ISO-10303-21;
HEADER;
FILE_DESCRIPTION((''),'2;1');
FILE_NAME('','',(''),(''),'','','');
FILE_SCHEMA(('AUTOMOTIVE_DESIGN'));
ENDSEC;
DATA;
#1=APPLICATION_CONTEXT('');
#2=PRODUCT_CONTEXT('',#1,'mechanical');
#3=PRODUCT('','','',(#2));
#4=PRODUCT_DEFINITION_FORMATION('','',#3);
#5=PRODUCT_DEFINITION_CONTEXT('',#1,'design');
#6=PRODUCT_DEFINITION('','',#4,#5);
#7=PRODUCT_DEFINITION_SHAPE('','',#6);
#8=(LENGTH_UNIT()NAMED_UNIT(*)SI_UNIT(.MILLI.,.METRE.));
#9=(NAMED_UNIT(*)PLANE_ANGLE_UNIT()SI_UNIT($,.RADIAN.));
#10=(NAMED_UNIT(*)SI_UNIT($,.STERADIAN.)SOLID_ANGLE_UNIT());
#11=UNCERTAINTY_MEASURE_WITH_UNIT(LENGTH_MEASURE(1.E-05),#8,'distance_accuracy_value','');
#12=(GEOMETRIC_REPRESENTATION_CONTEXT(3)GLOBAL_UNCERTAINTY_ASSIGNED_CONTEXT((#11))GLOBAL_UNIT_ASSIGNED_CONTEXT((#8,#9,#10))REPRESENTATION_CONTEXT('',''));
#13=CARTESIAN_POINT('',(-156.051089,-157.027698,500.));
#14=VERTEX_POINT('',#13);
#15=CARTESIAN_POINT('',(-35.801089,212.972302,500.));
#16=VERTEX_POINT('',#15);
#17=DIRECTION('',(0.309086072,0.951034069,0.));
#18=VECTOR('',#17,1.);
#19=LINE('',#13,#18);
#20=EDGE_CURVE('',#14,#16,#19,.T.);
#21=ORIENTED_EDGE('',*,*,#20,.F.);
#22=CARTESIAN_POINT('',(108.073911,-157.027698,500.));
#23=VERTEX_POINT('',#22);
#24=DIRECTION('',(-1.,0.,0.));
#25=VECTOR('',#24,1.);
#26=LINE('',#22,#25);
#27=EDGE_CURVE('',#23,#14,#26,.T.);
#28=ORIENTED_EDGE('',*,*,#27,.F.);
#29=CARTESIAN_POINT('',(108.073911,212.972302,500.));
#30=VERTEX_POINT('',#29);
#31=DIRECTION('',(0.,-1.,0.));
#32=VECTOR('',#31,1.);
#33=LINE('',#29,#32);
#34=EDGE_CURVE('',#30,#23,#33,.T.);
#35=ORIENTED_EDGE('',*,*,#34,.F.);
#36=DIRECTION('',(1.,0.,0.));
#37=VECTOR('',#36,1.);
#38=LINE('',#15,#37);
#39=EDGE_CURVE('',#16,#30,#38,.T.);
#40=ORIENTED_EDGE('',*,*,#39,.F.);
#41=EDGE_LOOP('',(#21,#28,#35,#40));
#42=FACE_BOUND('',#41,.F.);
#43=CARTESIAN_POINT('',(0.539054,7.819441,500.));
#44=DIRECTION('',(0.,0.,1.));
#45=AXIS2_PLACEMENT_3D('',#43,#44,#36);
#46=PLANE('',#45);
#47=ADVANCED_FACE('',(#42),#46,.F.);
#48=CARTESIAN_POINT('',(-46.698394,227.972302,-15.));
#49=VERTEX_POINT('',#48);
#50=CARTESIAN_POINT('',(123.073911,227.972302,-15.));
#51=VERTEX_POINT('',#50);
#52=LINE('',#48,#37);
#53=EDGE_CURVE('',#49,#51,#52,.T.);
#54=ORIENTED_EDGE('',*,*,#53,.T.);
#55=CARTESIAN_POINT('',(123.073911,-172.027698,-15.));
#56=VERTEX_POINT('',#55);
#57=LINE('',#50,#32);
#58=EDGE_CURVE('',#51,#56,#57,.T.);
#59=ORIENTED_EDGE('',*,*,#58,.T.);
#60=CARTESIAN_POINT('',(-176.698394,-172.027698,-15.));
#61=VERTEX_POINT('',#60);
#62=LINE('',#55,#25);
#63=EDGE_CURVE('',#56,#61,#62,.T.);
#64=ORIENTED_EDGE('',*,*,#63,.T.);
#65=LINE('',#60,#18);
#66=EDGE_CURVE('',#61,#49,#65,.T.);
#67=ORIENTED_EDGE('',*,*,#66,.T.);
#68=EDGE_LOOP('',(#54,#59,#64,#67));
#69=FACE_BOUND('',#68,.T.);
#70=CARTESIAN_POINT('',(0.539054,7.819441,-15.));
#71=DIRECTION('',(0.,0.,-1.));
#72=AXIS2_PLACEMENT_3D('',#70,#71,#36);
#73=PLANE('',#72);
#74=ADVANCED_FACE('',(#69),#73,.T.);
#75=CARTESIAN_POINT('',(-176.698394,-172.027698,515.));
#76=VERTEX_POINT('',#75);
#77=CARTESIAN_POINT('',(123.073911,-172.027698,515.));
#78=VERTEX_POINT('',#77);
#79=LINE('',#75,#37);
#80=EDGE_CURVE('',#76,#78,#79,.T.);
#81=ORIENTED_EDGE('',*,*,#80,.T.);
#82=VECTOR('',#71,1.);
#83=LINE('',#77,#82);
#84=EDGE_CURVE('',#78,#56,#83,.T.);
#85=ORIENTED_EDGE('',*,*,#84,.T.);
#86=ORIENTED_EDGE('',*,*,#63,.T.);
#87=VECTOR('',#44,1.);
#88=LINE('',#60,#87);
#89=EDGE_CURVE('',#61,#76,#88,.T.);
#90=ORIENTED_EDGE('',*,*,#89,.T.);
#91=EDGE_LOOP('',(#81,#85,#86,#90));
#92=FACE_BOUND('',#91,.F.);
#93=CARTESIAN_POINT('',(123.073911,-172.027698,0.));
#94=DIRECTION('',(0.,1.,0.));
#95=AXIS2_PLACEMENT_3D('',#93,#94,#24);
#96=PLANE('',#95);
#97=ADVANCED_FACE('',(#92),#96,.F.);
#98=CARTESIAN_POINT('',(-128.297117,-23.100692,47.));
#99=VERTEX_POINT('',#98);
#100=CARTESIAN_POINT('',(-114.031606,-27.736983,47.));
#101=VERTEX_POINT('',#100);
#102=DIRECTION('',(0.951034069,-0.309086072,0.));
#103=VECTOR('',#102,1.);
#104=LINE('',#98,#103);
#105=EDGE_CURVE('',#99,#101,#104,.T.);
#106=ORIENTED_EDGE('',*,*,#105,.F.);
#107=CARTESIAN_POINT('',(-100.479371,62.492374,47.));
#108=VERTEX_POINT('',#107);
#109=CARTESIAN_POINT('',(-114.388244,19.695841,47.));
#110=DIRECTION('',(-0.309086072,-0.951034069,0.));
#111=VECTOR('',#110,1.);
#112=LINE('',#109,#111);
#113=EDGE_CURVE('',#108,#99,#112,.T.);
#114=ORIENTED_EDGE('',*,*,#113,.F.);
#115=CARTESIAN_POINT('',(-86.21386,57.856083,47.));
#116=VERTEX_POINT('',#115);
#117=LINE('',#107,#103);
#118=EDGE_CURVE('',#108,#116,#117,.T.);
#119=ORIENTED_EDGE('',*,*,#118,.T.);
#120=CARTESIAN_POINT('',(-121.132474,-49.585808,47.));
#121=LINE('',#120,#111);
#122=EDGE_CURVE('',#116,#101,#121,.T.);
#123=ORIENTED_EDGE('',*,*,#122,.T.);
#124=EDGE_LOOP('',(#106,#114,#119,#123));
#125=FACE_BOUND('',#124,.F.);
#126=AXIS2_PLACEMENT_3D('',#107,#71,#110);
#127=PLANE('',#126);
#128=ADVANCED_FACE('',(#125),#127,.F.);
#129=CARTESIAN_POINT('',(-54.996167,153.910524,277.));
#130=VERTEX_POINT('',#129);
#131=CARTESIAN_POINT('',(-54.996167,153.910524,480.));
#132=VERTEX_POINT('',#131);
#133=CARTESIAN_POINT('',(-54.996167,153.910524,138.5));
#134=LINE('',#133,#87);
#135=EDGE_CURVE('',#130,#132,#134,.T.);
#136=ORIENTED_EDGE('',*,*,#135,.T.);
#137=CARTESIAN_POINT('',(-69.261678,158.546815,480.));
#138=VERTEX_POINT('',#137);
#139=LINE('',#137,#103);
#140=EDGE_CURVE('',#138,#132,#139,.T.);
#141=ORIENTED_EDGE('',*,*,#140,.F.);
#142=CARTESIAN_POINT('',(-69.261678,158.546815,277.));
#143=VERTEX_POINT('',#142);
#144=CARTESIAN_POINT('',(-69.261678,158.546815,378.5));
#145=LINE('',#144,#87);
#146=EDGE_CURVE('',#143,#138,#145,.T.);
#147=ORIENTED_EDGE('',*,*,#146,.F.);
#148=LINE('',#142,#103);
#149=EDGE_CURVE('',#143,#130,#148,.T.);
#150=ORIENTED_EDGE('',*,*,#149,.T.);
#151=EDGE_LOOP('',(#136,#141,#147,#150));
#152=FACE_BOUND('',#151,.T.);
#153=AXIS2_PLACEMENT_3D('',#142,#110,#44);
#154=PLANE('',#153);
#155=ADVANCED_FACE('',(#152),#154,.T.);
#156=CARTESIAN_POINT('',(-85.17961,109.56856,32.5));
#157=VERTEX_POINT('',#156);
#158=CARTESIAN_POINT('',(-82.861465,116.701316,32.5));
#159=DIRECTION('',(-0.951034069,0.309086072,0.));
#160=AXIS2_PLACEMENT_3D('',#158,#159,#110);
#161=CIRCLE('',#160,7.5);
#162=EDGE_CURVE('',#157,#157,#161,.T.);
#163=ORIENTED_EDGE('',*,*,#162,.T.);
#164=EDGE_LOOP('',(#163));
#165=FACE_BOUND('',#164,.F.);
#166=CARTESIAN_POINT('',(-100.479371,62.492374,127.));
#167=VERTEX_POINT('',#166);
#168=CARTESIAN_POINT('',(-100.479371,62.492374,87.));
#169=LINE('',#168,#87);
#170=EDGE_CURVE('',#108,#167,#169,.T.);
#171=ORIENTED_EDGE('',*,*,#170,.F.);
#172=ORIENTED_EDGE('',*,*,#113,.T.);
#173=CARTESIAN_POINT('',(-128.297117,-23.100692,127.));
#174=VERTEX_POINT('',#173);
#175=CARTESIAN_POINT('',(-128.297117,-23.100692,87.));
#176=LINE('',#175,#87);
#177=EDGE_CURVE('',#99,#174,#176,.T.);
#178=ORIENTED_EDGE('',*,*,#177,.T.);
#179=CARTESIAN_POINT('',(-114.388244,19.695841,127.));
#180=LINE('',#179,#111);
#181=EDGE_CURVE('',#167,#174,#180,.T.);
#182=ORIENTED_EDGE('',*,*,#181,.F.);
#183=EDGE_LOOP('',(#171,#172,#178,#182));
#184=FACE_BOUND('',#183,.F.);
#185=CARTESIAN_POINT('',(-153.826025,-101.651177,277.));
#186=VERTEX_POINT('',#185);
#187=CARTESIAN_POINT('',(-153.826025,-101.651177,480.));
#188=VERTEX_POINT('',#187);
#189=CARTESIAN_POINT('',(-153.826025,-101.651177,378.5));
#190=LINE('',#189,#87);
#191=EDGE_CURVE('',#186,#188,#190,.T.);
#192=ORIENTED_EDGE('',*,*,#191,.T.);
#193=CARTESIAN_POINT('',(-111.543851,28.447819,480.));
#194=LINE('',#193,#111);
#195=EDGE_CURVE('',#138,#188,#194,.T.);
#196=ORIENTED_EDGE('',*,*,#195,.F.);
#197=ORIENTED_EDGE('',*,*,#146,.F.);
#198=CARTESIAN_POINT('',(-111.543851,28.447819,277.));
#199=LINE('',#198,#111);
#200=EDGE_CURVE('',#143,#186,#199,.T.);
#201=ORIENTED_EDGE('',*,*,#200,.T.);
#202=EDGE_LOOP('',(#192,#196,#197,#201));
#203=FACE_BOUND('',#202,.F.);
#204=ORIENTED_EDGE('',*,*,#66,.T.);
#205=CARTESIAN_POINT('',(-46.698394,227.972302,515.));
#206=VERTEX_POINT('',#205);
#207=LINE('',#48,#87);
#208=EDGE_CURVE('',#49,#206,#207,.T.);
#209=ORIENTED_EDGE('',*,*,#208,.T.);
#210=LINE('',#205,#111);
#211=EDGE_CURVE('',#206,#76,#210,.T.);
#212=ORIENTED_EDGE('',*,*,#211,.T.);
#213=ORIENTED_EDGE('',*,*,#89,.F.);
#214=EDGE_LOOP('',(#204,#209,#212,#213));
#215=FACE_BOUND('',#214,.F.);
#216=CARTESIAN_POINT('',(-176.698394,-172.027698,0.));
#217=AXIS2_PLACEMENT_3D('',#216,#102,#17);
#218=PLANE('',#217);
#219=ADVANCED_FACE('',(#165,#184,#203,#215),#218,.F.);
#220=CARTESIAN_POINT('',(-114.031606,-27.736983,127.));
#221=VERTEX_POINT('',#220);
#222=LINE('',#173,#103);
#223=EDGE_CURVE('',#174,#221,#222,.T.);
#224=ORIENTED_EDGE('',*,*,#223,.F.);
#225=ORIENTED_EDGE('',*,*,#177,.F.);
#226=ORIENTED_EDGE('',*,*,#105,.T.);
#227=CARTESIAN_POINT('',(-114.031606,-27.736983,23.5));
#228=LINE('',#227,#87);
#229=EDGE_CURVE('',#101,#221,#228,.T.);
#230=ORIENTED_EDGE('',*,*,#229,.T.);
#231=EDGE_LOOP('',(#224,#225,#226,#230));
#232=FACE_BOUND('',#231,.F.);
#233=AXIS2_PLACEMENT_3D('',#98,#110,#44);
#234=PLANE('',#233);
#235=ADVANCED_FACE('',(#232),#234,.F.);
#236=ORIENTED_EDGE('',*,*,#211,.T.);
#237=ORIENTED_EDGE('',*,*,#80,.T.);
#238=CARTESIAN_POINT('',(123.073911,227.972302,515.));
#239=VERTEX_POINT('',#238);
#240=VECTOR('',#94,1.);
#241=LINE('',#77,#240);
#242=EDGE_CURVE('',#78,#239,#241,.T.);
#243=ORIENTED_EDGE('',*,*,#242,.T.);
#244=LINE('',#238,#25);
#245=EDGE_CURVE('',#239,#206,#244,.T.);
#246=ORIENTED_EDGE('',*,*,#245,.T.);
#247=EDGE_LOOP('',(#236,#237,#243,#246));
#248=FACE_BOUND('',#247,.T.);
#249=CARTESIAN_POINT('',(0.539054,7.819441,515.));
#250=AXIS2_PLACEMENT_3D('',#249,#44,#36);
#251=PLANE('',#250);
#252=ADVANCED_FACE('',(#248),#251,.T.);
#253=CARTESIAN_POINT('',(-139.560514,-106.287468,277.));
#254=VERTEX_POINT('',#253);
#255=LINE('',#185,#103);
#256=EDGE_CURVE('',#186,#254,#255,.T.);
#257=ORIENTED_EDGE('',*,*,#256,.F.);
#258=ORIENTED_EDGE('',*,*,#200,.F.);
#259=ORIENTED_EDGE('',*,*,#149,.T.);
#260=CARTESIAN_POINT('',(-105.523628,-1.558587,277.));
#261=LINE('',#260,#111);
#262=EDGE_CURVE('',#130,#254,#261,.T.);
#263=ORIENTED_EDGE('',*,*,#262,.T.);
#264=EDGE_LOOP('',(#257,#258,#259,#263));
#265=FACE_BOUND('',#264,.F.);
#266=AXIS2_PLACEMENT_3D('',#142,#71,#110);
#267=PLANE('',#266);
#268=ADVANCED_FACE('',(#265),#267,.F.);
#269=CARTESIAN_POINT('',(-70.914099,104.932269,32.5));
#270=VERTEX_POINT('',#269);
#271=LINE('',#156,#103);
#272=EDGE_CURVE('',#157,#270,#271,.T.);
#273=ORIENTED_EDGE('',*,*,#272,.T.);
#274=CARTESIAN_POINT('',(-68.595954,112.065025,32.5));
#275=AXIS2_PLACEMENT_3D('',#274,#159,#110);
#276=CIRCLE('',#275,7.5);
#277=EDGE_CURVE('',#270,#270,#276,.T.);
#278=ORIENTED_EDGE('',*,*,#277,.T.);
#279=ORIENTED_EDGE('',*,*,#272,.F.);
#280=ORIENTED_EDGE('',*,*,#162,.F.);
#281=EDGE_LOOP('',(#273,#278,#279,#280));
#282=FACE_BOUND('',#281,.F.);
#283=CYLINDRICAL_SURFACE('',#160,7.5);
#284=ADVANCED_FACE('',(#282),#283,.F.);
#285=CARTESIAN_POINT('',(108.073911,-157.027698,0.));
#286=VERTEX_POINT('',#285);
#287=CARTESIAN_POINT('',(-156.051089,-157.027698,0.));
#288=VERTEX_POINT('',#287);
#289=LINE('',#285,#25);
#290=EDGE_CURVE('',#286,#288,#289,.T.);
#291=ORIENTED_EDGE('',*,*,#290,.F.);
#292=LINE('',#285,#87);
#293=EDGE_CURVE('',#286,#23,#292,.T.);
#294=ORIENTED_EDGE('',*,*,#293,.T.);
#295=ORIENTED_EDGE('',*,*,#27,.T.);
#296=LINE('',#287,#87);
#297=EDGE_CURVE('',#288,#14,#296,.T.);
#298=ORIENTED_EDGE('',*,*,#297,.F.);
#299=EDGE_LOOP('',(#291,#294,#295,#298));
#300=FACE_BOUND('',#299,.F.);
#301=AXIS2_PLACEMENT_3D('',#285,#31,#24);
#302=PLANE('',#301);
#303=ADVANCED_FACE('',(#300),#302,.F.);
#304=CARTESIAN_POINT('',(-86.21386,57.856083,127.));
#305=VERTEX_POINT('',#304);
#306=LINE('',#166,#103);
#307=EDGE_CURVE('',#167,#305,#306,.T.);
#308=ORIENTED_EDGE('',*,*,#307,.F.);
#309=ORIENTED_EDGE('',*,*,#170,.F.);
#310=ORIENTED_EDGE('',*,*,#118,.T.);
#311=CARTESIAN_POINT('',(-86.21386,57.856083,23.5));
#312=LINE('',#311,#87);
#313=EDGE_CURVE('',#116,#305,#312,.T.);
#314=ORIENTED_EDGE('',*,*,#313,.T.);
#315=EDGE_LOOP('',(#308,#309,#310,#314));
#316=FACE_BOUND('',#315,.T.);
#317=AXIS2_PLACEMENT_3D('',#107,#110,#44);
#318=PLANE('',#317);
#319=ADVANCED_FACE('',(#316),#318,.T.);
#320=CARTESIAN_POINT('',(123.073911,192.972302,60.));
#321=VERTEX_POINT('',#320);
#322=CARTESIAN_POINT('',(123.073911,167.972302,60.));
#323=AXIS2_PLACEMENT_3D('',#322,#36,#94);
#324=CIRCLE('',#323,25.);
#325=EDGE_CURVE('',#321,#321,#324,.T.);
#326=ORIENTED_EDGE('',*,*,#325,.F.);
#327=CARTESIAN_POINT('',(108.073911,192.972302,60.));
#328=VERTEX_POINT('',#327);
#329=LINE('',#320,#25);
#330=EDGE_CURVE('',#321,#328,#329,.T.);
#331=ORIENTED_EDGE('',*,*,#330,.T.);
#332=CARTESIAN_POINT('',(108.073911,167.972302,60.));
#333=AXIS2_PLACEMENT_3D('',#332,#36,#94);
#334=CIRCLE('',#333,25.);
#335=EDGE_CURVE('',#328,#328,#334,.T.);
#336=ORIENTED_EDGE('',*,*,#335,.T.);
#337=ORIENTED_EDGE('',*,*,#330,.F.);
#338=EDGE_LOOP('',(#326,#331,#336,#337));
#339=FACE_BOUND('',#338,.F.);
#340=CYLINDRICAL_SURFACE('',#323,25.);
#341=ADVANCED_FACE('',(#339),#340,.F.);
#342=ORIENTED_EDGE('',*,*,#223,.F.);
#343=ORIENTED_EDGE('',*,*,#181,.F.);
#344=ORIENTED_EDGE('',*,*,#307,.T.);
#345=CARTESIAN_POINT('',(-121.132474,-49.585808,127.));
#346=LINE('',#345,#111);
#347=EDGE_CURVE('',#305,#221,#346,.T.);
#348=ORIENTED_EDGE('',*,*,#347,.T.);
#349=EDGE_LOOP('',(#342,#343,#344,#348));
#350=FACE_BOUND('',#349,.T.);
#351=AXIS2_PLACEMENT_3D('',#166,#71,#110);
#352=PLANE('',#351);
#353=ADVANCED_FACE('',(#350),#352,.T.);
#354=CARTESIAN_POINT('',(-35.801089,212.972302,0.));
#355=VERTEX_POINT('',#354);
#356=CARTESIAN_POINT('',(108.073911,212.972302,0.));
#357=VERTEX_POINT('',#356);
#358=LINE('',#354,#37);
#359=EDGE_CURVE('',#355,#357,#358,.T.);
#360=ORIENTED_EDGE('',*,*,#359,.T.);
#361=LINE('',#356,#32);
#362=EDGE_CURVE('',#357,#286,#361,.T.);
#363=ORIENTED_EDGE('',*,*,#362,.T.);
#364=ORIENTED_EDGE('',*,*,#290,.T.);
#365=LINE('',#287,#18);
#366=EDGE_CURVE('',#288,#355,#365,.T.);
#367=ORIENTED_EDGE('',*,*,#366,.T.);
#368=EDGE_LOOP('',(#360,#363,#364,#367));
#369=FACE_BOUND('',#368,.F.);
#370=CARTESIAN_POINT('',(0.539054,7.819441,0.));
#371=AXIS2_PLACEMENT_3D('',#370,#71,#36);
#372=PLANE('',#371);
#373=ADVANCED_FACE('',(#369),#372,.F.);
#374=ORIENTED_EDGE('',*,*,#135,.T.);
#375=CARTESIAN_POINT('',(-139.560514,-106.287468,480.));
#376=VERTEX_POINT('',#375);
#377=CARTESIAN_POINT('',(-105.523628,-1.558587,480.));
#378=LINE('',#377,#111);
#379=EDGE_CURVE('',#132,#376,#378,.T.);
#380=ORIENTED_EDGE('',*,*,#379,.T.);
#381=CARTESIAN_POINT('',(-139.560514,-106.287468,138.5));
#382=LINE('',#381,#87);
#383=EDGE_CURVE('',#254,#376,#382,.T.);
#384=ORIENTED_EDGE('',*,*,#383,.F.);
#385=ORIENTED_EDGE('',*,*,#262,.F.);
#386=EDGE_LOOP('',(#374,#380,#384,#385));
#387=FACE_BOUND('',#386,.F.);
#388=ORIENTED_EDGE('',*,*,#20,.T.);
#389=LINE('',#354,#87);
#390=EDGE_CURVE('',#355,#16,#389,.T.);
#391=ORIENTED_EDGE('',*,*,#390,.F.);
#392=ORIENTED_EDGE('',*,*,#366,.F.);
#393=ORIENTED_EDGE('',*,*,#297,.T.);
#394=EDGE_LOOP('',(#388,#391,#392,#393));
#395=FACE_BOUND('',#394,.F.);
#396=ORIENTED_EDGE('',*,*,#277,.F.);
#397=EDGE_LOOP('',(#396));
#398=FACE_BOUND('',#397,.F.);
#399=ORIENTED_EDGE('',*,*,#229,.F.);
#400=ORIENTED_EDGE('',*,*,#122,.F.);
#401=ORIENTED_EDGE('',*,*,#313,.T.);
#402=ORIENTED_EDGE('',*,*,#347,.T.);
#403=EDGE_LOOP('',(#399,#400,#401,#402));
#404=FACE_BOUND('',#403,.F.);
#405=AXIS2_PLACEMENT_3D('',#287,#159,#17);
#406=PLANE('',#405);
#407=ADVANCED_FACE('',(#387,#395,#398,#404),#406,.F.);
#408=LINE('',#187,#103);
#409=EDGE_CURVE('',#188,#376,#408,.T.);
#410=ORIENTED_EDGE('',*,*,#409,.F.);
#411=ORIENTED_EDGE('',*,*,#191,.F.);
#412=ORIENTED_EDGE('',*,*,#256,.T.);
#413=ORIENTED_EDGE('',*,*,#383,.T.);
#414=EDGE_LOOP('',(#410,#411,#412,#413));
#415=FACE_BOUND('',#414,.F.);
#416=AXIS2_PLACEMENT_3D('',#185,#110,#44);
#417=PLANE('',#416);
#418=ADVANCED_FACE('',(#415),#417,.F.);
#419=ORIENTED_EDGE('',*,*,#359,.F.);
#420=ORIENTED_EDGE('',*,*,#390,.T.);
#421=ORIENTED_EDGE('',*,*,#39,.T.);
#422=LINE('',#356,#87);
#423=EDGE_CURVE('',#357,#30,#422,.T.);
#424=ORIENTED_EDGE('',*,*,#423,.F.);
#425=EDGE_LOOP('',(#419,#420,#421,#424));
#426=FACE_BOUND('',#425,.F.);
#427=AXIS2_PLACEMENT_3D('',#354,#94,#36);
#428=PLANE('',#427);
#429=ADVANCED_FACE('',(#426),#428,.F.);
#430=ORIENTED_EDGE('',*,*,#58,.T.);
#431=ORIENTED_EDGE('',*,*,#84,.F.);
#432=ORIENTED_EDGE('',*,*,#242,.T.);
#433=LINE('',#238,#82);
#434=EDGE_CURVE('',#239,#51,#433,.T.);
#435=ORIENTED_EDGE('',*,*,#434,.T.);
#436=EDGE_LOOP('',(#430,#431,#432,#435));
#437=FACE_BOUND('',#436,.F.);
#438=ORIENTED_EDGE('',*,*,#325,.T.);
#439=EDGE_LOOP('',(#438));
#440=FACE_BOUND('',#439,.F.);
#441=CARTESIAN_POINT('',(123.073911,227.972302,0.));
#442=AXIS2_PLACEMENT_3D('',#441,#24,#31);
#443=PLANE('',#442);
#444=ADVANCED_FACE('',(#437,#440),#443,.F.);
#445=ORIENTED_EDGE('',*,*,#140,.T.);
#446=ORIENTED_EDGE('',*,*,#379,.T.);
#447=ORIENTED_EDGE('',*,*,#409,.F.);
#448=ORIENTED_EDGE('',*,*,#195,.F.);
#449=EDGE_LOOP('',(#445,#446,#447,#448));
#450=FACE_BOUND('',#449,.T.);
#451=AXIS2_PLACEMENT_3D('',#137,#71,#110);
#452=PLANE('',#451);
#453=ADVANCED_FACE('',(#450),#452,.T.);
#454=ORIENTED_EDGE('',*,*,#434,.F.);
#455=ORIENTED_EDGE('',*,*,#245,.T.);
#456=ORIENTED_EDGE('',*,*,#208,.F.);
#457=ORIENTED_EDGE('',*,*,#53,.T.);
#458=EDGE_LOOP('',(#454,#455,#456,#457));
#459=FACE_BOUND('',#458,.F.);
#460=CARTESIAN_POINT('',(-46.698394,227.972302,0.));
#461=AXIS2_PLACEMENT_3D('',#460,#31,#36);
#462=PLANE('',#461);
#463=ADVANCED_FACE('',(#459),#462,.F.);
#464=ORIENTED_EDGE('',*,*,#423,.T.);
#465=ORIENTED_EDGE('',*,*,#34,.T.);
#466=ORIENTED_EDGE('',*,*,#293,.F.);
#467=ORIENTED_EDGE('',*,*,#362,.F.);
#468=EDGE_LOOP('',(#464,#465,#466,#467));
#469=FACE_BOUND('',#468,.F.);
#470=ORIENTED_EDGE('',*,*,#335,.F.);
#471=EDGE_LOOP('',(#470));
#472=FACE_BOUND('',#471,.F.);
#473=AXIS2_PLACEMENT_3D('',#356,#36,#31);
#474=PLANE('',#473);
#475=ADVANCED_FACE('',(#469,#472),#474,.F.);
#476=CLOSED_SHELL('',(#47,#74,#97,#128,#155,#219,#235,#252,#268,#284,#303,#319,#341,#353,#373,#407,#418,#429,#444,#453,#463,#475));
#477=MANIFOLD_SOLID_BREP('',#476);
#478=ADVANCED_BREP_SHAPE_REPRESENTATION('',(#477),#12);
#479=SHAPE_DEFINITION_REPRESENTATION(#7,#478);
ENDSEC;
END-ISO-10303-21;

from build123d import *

# Parameters (mm, degrees)
F1_DEPTH  = 500
F2_W      = 273.5948168963
F2_H      = 203
F2_W_2    = 90
F2_H_2    = 80
F3_DEPTH  = 25
F2_R      = 7.5
F4_DEPTH  = 25
F5_R      = 25
F6_DEPTH  = 25
F8_DEPTH  = 15
F10_DEPTH = 15


with BuildPart() as f1:
    # F0 (on Top) → F1 (new body)
    with BuildSketch(Plane.XY):
        Polygon((123.0739113364, 227.9723018915), (-30.9260886636, 227.9723018915), (-35.8010886636, 212.9723018915), (108.0739113364, 212.9723018915), (108.0739113364, -157.0276981085), (-156.0510886636, -157.0276981085), (-160.9260886636, -172.0276981085), (123.0739113364, -172.0276981085), align=None)
        Polygon((-30.9260886636, 227.9723018915), (-46.6983942972, 227.9723018915), (-176.6983942972, -172.0276981085), (-160.9260886636, -172.0276981085), (-156.0510886636, -157.0276981085), (-35.8010886636, 212.9723018915), align=None)
    extrude(amount=F1_DEPTH)

    # F2 (on face) → F3 (cut)
    with BuildSketch(Plane(origin=(-109.2498744257, 35.5062091884, 0), x_dir=(-0.3090860723, -0.9510340687, 0), z_dir=(-0.9510340687, 0.3090860723, 0))):
        with Locations((7.4218059001, 378.5)):
            Rectangle(F2_W, F2_H)
        with Locations((16.6243974519, 87)):
            Rectangle(F2_W_2, F2_H_2)
    extrude(amount=-F3_DEPTH, mode=Mode.SUBTRACT)

    # F2 (on face) → F4 (cut)
    with BuildSketch(Plane(origin=(-109.2498744257, 35.5062091884, 0), x_dir=(-0.3090860723, -0.9510340687, 0), z_dir=(-0.9510340687, 0.3090860723, 0))):
        with Locations((-85.3756025481, 32.5)):
            Circle(F2_R)
    extrude(amount=-F4_DEPTH, mode=Mode.SUBTRACT)

    # F5 (on face) → F6 (cut)
    with BuildSketch(Plane.YZ.offset(123.0739113364)):
        with Locations((167.9723018915, 60)):
            Circle(F5_R)
    extrude(amount=-F6_DEPTH, mode=Mode.SUBTRACT)

    # F7 (on face) → F8 (join)
    with BuildSketch(Plane.XY.offset(500)):
        Polygon((123.0739113364, -172.0276981085), (123.0739113364, 227.9723018915), (-46.6983942972, 227.9723018915), (-176.6983942972, -172.0276981085), align=None)
    extrude(amount=F8_DEPTH)

    # F9 (on face) → F10 (join)
    with BuildSketch(Plane(origin=(0, 0, 0), x_dir=(1, 0, 0), z_dir=(0, 0, -1))):
        Polygon((-46.6983942972, -227.9723018915), (123.0739113364, -227.9723018915), (123.0739113364, 172.0276981085), (-176.6983942972, 172.0276981085), align=None)
    extrude(amount=F10_DEPTH)


solid = f1.part
